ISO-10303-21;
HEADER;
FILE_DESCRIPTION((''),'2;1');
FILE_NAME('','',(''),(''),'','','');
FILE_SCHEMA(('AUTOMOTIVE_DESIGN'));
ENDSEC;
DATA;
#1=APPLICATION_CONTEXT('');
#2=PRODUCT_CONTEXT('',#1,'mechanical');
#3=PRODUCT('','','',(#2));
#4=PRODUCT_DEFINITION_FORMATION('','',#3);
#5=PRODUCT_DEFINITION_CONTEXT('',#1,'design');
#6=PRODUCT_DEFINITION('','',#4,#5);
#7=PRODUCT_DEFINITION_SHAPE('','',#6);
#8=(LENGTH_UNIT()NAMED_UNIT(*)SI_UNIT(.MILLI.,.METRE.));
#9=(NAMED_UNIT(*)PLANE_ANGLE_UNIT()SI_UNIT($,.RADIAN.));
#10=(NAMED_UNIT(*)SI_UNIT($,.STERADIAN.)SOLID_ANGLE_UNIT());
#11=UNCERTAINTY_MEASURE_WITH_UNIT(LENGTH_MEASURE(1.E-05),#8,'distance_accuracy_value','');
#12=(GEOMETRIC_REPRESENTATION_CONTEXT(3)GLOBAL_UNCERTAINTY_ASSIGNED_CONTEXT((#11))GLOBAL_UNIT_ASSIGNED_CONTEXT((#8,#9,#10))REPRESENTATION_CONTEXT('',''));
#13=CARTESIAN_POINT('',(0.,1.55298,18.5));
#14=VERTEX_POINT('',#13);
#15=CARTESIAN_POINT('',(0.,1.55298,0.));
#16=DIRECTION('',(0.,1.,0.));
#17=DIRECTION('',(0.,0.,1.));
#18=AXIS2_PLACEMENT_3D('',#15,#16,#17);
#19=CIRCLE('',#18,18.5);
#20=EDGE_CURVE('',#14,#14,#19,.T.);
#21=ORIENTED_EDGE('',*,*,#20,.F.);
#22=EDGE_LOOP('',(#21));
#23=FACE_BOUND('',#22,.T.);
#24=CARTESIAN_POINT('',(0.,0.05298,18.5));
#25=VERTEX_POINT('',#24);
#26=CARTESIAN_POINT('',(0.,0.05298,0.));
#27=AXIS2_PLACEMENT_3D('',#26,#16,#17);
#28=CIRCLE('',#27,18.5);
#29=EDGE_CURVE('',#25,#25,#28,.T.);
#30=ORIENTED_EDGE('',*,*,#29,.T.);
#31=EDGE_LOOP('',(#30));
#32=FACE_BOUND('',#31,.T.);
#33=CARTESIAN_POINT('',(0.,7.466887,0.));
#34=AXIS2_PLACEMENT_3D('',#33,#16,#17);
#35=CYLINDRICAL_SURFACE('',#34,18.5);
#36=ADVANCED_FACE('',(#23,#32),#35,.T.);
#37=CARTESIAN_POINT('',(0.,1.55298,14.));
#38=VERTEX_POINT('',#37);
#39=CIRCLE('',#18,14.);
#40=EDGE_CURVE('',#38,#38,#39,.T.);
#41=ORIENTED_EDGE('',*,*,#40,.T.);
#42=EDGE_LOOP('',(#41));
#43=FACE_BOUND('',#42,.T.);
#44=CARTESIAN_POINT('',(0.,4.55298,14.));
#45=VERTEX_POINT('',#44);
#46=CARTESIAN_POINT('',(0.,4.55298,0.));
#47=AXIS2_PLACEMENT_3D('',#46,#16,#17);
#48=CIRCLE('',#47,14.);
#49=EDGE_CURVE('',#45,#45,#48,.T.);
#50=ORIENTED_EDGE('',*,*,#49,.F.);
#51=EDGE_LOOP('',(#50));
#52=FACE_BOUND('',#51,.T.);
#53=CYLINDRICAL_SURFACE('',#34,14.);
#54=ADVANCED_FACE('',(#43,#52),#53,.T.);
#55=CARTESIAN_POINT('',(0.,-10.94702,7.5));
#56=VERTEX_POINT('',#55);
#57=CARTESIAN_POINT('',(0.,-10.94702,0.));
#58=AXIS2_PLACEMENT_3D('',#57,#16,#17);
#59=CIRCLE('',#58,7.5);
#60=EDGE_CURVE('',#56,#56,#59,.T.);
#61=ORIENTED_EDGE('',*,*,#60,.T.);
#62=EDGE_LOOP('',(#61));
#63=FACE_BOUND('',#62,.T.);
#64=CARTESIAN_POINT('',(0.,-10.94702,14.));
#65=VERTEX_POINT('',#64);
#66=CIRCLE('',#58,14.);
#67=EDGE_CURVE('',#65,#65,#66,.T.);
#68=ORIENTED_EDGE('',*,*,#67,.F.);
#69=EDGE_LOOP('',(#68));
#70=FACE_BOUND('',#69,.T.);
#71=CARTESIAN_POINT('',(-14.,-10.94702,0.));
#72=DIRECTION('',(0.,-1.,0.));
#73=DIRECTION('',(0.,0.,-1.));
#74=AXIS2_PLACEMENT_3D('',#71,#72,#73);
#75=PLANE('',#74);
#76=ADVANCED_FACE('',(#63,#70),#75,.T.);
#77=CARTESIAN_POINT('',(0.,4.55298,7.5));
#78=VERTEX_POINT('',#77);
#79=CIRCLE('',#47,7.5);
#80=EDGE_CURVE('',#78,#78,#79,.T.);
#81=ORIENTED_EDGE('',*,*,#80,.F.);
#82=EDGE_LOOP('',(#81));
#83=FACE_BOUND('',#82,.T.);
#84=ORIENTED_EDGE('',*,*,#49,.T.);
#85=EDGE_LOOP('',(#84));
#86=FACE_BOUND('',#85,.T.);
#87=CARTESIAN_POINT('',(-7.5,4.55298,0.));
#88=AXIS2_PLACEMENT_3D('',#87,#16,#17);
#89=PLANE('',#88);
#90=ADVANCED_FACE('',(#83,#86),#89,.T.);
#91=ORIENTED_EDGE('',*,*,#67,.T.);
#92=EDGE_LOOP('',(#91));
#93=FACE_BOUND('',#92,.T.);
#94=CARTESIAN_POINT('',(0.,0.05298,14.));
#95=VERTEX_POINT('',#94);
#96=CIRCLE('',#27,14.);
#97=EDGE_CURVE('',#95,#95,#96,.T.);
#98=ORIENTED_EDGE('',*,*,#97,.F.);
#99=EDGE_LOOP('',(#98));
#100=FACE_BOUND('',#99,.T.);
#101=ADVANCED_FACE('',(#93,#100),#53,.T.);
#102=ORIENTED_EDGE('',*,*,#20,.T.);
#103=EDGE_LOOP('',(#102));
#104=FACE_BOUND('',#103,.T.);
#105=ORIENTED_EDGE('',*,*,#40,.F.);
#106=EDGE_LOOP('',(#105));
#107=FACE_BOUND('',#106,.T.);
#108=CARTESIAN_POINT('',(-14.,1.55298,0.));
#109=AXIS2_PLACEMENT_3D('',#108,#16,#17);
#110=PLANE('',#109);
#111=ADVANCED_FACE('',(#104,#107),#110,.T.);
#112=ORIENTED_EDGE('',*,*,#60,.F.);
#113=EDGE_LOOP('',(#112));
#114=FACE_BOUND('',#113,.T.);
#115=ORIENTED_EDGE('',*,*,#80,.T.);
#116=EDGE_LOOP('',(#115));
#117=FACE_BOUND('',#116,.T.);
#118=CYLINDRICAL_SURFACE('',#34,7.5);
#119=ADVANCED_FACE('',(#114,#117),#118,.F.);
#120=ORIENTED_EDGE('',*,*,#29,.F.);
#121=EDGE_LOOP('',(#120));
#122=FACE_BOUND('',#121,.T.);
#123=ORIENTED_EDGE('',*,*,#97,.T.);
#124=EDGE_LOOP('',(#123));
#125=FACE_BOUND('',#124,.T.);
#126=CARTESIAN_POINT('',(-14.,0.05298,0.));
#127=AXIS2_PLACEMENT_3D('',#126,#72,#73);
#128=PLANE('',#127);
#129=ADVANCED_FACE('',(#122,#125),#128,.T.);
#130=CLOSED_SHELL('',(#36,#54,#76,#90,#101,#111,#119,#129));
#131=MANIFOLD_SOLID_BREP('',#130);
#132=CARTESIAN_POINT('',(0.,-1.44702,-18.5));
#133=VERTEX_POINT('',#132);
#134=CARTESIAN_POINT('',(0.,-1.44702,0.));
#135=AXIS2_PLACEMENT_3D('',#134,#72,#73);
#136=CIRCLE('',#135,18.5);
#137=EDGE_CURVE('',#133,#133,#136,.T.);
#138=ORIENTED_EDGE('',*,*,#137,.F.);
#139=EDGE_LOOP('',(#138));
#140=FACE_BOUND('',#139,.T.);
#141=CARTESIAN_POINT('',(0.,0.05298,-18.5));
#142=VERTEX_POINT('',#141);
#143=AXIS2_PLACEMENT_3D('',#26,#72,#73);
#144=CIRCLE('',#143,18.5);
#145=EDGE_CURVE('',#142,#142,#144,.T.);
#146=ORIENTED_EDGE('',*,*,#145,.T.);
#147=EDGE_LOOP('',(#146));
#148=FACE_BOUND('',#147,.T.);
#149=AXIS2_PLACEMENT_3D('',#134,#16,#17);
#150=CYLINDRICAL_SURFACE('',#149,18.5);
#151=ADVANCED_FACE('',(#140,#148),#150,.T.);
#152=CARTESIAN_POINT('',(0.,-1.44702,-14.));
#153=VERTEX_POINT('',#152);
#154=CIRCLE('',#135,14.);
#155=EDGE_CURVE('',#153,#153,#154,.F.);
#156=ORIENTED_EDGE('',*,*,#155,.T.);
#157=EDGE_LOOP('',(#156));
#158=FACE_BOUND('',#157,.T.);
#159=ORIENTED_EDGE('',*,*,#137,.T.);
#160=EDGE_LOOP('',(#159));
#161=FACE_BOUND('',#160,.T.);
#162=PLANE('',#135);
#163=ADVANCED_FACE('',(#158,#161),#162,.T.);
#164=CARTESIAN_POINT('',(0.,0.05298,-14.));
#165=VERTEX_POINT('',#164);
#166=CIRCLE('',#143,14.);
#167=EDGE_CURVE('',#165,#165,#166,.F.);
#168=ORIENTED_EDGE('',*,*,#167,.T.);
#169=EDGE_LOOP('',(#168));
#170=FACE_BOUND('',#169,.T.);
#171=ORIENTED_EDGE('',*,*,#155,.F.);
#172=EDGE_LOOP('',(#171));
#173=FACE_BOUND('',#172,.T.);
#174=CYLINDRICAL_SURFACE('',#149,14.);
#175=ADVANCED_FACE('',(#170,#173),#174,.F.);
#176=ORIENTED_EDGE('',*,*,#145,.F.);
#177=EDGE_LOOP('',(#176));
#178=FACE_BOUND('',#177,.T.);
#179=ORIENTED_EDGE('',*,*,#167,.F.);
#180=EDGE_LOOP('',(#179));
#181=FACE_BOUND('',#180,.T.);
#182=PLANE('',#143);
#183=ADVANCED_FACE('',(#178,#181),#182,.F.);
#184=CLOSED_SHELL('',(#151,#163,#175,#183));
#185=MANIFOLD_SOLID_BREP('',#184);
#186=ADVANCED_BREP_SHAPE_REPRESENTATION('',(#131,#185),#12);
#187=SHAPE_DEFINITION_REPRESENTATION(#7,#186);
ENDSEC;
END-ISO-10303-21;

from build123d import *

# Parameters (mm, degrees)
SKETCH2_R           = 18.5
SKETCH2_R_2         = 14
BOSS_EXTRUDE1_DEPTH = 1.5


with BuildPart() as part:
    # Sketch1 → Revolve1 (revolve)
    with BuildSketch(Plane.XY, mode=Mode.PRIVATE) as revolve1_sk:
        Polygon((-7.5, 4.552980132), (-14, 4.552980132), (-14, 1.552980132), (-18.5, 1.552980132), (-18.5, 0.052980132), (-14, 0.052980132), (-14, -10.947019868), (-7.5, -10.947019868), align=None)
    revolve(revolve1_sk.sketch.rotate(Axis((0, 7.466887417, 0), (0, -1, 0)), 270), axis=Axis((0, 7.466887417, 0), (0, -1, 0)))


with BuildPart() as body_2:
    # Sketch2 → Boss-Extrude1 (new body)
    with BuildSketch(Plane.XZ.offset(-0.052980132)):
        with Locations(Location((0, 0, 0), (0, 0, 270))):
            Circle(SKETCH2_R)
        with Locations(Location((0, 0, 0), (0, 0, 270))):
            Circle(SKETCH2_R_2, mode=Mode.SUBTRACT)
    extrude(amount=BOSS_EXTRUDE1_DEPTH)


solid = Compound([part.part, body_2.part])
